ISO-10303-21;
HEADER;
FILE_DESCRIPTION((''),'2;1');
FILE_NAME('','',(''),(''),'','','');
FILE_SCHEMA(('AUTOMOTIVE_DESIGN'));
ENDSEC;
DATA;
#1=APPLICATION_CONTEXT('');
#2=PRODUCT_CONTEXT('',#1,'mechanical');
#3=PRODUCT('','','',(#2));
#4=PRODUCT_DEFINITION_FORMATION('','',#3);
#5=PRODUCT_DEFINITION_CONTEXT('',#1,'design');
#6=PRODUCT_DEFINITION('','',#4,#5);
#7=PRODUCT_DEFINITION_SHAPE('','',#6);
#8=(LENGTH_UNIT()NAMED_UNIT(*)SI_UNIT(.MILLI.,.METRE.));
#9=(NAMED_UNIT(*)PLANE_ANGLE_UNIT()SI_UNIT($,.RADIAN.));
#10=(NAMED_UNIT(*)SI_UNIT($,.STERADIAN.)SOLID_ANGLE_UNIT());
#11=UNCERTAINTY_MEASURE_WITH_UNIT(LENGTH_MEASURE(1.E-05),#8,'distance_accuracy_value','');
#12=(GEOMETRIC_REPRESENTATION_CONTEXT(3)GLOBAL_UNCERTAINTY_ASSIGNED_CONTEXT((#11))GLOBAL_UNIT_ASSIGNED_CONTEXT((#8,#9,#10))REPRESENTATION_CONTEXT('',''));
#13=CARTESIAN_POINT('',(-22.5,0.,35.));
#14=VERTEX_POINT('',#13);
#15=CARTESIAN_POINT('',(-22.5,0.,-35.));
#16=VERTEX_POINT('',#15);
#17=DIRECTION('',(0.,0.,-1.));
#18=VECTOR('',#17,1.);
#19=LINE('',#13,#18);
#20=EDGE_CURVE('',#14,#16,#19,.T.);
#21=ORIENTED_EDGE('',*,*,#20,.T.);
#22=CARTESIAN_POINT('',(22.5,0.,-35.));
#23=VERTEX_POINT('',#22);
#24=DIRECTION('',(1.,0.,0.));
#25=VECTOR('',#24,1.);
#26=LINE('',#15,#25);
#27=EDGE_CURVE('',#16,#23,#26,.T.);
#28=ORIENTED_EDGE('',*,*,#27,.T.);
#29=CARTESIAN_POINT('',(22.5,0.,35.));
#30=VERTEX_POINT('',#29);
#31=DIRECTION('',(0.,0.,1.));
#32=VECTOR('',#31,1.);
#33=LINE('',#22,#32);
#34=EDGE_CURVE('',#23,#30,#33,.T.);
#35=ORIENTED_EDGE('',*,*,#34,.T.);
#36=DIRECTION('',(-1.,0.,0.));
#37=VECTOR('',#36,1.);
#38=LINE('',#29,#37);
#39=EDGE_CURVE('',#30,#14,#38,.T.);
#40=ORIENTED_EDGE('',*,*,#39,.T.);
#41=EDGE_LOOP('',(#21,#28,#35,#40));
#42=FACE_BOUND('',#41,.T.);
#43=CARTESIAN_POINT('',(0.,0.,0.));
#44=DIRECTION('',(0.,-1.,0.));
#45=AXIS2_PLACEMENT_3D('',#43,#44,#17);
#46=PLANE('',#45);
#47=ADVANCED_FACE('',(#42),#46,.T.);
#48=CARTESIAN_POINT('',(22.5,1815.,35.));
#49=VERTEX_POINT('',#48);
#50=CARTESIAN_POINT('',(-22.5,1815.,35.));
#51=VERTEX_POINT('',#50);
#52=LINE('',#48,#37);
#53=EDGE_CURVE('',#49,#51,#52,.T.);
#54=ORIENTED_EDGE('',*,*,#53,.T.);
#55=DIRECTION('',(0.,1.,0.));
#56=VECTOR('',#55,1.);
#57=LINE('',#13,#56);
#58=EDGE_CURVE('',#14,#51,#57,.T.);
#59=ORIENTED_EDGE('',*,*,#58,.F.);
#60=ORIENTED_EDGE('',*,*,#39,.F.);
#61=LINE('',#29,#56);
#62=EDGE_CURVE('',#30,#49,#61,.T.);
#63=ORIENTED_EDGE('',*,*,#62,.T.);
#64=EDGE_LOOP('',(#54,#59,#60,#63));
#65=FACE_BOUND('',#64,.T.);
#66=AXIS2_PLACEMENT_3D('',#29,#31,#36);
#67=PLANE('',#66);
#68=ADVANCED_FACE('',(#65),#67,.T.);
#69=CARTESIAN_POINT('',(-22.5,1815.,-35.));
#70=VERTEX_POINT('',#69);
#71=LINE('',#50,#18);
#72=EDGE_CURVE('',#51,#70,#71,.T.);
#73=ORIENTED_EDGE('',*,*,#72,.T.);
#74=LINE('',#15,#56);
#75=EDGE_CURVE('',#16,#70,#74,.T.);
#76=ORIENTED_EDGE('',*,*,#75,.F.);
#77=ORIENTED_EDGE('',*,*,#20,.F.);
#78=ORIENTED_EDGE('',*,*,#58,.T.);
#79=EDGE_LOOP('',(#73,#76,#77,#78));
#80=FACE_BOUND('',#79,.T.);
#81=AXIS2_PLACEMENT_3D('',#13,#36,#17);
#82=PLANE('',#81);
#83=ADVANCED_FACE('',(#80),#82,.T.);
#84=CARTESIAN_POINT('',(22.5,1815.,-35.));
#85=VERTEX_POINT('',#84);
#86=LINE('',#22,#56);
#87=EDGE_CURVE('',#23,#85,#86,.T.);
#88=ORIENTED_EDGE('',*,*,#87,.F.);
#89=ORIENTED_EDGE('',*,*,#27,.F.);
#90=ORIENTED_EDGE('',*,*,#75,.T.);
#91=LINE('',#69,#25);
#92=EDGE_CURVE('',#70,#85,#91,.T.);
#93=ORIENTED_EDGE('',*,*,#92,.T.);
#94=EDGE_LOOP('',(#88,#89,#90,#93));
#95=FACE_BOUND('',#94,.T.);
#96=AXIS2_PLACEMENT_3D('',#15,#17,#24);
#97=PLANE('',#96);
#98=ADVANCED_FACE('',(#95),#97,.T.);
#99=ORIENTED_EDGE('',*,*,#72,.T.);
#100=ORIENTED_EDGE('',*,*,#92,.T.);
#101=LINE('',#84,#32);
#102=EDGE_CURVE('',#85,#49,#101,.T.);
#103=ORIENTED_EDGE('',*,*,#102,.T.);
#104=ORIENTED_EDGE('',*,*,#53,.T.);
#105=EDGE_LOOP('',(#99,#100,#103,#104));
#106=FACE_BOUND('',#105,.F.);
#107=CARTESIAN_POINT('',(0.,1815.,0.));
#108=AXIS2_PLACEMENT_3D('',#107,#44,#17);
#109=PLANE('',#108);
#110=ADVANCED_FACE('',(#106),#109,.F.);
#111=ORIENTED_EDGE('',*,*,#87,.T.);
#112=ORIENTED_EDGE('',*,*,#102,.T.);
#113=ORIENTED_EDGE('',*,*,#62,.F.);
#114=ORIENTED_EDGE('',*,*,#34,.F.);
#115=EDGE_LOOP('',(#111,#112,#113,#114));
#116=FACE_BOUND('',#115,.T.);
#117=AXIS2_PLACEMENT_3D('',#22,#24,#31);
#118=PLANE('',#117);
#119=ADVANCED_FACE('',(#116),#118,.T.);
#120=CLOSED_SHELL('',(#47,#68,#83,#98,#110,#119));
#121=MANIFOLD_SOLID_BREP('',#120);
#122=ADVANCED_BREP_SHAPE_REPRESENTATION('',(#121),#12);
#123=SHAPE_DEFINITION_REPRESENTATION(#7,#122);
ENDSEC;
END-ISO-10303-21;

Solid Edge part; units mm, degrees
sketch "Sketch1" plane through (0, 0, 0) normal (0, -1, 0) x (1, 0, 0)
  line L0 (-22.5, -35) -> (22.5, -35)
  line L1 (22.5, -35) -> (22.5, 35)
  line L2 (22.5, 35) -> (-22.5, 35)
  line L3 (-22.5, 35) -> (-22.5, -35)
extrude "Protrusion1" add sketch "Sketch1" against normal blind 1815
properties material "Wood, Pine"
